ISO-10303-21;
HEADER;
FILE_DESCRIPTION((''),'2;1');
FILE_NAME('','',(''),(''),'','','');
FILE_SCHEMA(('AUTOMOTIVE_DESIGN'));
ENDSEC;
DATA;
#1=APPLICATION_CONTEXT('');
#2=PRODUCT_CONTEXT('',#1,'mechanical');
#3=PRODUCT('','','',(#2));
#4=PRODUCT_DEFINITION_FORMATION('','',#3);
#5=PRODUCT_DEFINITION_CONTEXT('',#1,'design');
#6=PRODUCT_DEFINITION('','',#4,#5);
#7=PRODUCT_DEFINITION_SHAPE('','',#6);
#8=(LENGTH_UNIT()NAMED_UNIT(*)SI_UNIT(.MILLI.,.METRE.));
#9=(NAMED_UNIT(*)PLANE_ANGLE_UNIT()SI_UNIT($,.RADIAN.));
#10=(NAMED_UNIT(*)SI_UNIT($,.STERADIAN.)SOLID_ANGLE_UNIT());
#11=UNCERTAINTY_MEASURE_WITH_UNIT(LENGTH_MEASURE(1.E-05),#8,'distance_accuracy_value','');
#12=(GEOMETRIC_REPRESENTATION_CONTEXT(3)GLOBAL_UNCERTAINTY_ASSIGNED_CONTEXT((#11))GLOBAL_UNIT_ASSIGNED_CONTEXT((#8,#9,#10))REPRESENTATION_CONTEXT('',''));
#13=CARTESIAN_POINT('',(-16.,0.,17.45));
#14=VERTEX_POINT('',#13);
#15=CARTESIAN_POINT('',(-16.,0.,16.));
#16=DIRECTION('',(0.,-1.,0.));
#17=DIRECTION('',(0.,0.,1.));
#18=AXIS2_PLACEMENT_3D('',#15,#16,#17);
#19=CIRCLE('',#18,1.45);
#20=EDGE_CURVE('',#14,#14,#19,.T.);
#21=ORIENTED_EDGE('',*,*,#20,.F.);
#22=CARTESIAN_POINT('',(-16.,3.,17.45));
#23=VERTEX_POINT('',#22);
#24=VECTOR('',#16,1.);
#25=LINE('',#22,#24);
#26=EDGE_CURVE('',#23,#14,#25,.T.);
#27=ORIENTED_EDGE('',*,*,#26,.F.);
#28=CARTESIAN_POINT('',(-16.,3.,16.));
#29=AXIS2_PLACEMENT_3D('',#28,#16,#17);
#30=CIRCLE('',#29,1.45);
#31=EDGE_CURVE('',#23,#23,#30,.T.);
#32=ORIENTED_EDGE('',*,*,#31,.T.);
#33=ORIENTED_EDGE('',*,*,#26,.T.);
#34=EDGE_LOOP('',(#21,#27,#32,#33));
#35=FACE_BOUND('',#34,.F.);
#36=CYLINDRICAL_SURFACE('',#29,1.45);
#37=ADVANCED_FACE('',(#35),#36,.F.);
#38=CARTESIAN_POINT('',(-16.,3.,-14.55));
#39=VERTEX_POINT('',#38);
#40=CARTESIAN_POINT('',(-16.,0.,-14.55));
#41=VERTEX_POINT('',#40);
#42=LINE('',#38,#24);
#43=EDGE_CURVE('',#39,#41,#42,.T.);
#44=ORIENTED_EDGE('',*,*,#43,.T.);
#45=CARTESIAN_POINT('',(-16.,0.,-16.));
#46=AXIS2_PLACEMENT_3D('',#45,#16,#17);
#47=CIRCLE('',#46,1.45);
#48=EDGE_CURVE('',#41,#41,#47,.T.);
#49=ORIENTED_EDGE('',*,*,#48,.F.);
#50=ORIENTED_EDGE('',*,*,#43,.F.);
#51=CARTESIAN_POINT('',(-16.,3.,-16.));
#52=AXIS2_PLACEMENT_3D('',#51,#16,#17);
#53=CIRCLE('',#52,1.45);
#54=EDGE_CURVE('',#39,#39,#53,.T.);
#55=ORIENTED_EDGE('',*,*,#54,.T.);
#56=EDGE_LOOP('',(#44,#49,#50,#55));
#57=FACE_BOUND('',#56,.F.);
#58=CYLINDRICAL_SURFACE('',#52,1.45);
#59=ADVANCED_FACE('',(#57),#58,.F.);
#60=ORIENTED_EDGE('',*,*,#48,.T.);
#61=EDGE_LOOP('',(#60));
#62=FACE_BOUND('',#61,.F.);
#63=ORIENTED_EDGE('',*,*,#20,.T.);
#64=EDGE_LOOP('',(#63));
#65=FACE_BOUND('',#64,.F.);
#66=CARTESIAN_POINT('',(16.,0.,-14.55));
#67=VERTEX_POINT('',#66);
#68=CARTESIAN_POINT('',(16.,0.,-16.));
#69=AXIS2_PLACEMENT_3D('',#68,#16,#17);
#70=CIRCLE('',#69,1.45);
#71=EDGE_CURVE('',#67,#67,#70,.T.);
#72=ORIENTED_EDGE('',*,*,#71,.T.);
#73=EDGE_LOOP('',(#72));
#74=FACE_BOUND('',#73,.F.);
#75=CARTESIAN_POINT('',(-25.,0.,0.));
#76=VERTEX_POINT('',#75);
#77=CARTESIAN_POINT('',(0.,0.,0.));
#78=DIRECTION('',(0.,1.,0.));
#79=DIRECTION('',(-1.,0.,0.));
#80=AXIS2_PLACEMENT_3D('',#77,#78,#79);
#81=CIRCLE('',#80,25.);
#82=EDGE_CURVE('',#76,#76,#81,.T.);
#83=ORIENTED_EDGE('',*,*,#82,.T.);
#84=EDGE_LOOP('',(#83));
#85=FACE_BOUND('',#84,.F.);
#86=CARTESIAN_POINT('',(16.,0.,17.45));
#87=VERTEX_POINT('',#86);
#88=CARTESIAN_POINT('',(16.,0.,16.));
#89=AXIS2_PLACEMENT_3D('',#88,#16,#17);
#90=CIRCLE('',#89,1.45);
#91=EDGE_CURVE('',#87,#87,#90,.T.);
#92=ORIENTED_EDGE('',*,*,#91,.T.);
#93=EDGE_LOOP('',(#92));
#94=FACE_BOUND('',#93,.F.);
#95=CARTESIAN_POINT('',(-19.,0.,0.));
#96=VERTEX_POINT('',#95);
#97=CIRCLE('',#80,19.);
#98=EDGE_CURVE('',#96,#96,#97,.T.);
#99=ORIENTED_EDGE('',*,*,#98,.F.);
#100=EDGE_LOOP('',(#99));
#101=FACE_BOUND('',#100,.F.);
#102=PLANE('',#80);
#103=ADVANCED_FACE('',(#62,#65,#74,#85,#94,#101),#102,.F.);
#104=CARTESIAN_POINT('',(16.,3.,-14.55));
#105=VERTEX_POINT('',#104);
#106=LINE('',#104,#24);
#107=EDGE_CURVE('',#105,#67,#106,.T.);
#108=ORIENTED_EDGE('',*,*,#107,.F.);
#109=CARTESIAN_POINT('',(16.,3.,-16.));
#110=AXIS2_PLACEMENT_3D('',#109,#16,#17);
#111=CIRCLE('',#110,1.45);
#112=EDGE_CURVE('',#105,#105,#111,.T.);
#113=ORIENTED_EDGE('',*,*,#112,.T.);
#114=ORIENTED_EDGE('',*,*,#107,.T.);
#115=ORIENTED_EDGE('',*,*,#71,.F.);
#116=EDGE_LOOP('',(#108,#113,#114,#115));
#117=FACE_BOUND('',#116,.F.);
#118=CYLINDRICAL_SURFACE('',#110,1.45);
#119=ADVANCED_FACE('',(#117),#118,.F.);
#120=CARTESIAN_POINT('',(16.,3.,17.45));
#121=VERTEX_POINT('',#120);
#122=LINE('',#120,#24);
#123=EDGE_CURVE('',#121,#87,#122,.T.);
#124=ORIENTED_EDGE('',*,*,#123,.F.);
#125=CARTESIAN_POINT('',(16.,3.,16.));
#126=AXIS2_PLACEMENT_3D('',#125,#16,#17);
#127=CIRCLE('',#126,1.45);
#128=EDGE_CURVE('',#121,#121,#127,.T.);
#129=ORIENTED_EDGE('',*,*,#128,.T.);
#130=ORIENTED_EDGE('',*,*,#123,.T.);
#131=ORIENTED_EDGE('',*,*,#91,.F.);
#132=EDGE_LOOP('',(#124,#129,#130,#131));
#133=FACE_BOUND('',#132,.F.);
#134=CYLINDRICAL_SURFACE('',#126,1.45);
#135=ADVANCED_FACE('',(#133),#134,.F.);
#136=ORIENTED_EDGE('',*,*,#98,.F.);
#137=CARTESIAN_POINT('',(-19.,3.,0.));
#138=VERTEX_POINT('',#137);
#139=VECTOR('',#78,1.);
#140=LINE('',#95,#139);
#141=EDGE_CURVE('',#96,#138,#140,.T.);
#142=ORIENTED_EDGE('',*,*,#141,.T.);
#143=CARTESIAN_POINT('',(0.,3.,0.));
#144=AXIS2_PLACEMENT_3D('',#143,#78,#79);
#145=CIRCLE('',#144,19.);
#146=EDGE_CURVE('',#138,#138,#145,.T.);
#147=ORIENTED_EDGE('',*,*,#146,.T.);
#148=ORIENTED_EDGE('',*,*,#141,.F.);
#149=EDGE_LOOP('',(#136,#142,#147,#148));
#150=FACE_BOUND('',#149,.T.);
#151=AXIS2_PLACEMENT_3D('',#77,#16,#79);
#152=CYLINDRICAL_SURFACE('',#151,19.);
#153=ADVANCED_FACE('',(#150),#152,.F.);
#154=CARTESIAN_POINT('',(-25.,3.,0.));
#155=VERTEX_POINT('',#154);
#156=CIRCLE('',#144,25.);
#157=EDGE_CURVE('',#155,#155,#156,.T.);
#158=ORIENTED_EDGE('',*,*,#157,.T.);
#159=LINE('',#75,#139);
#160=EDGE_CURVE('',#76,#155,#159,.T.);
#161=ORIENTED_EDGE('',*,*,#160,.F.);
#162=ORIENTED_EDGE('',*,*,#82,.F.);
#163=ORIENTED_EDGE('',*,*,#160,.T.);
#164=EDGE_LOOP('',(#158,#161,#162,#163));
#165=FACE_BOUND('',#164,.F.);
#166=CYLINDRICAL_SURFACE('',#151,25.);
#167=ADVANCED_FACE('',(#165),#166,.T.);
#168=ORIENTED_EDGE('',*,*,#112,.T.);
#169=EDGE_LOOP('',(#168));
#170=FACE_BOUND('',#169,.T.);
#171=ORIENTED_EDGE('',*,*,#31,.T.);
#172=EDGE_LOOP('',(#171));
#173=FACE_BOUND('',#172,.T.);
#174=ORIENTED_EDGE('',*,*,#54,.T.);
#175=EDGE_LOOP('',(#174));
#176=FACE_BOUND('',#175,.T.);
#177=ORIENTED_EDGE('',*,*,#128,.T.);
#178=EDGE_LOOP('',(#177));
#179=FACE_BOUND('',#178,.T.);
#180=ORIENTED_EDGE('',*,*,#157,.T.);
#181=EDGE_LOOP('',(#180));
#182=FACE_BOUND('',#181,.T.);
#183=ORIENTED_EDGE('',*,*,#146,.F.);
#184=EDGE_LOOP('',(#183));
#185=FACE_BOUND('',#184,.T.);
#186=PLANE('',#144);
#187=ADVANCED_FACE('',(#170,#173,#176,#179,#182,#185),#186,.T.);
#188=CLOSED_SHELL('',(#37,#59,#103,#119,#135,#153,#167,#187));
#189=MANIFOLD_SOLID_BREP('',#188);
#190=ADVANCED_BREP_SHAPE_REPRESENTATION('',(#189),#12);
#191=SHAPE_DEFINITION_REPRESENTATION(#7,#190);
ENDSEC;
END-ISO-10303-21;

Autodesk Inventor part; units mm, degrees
ref_plane "YZ Plane" through (0, 0, 0) normal (1, 0, 0) x (0, 1, 0)
ref_plane "XZ Plane" through (0, 0, 0) normal (0, 1, 0) x (-1, 0, 0)
ref_plane "XY Plane" through (0, 0, 0) normal (0, 0, 1) x (1, 0, 0)
sketch "Sketch1" plane through (0, 0, 0) normal (0, 1, 0) x (-1, 0, 0)
  circle A0 centre (0, 0) radius 19
  circle A1 centre (0, 0) radius 25
  dimension "d0" = 38
  dimension "d1" = 50
extrude "Extrusion1" add sketch "Sketch1" along normal blind 3
sketch "Sketch4" plane through (0, 3, 0) normal (0, 1, 0) x (1, 0, 0)
  line L0 (-16, -16) -> (16, -16)
  line L1 (16, -16) -> (16, 16)
  line L2 (16, 16) -> (-16, 16)
  line L3 (-16, 16) -> (-16, -16)
  line L4 (-16, -16) -> (16, 16) construction
  line L5 (16, -16) -> (-16, 16) construction
  point P0 (0, 0)
  dimension "d13" = 32
  dimension "d14" = 32
hole "Hole2" at (-16, 3, 16) at (-16, 3, -16) at (16, 3, -16) at (16, 3, 16) direction (0, -1, 0) diameter 2.9 depth 8 tip angle 118 clearance for "Flat Head Machine Screw" size "M2.5" standard "Ansi Metric M Profile"
properties part number "chamberPlateCircle"
